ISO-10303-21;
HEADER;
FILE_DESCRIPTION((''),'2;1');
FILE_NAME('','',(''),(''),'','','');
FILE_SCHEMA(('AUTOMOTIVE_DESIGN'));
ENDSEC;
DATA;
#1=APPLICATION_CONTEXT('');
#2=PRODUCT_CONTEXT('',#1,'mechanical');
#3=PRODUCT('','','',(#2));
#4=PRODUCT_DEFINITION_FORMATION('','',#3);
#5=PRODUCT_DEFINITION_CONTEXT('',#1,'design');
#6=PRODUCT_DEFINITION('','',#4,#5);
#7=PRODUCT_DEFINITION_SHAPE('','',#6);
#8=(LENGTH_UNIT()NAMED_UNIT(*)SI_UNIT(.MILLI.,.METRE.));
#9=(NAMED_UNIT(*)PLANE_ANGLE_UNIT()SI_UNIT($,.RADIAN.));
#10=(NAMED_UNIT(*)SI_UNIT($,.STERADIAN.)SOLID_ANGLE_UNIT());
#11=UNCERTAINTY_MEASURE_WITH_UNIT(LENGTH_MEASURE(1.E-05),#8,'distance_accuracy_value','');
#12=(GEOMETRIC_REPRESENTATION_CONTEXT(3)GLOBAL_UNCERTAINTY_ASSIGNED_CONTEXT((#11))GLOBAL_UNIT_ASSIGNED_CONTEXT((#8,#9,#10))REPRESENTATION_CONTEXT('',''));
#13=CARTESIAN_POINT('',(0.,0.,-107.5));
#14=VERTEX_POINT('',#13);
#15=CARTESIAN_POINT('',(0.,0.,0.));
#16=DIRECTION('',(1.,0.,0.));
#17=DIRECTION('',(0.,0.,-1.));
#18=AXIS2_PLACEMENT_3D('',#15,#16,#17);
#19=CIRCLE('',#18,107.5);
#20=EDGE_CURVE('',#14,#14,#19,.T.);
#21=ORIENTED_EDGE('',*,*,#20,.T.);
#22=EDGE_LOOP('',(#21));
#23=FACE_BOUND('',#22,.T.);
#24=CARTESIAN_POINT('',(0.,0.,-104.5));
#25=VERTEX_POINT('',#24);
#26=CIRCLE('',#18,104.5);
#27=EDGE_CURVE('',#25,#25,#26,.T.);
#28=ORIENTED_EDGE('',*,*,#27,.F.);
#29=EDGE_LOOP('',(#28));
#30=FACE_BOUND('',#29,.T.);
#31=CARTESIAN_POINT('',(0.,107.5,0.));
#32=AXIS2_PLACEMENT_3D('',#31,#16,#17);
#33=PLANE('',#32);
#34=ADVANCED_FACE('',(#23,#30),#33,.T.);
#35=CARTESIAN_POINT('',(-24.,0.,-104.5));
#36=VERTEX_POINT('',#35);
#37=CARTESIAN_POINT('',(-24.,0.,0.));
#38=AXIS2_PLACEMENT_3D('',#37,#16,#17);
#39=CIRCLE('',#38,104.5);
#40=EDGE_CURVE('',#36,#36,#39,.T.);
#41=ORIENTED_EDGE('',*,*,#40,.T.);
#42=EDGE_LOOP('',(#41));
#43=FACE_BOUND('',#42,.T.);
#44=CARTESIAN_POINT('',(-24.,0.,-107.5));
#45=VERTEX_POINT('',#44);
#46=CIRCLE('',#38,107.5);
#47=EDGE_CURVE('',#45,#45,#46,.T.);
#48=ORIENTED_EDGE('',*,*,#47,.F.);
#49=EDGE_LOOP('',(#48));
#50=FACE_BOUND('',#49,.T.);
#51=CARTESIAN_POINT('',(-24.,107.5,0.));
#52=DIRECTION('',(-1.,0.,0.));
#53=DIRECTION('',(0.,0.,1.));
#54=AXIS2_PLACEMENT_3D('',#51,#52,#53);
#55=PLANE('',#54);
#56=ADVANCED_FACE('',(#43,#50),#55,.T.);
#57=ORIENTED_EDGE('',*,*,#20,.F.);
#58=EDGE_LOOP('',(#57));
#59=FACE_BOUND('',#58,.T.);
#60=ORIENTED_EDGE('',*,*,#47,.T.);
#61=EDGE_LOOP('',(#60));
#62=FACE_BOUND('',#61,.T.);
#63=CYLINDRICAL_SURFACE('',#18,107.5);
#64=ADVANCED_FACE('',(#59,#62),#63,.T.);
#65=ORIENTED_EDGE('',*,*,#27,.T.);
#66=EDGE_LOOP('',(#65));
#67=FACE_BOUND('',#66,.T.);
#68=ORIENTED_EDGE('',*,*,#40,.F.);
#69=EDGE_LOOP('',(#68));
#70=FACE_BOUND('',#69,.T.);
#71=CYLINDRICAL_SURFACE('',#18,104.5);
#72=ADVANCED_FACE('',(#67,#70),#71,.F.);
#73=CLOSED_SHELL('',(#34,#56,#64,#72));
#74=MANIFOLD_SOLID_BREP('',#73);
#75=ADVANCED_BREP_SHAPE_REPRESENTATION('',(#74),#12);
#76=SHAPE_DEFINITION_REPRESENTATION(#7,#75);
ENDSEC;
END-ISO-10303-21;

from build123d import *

# Parameters (mm, degrees)
SKETCH_1_W = 24
SKETCH_1_H = 3


with BuildPart() as part:
    # Эскиз1 → Повернуть1 (revolve)
    with BuildSketch(Plane.XY):
        with Locations((-12, 106)):
            Rectangle(SKETCH_1_W, SKETCH_1_H)
    revolve(axis=Axis((0, 0, 0), (-1, 0, 0)))


solid = part.part
